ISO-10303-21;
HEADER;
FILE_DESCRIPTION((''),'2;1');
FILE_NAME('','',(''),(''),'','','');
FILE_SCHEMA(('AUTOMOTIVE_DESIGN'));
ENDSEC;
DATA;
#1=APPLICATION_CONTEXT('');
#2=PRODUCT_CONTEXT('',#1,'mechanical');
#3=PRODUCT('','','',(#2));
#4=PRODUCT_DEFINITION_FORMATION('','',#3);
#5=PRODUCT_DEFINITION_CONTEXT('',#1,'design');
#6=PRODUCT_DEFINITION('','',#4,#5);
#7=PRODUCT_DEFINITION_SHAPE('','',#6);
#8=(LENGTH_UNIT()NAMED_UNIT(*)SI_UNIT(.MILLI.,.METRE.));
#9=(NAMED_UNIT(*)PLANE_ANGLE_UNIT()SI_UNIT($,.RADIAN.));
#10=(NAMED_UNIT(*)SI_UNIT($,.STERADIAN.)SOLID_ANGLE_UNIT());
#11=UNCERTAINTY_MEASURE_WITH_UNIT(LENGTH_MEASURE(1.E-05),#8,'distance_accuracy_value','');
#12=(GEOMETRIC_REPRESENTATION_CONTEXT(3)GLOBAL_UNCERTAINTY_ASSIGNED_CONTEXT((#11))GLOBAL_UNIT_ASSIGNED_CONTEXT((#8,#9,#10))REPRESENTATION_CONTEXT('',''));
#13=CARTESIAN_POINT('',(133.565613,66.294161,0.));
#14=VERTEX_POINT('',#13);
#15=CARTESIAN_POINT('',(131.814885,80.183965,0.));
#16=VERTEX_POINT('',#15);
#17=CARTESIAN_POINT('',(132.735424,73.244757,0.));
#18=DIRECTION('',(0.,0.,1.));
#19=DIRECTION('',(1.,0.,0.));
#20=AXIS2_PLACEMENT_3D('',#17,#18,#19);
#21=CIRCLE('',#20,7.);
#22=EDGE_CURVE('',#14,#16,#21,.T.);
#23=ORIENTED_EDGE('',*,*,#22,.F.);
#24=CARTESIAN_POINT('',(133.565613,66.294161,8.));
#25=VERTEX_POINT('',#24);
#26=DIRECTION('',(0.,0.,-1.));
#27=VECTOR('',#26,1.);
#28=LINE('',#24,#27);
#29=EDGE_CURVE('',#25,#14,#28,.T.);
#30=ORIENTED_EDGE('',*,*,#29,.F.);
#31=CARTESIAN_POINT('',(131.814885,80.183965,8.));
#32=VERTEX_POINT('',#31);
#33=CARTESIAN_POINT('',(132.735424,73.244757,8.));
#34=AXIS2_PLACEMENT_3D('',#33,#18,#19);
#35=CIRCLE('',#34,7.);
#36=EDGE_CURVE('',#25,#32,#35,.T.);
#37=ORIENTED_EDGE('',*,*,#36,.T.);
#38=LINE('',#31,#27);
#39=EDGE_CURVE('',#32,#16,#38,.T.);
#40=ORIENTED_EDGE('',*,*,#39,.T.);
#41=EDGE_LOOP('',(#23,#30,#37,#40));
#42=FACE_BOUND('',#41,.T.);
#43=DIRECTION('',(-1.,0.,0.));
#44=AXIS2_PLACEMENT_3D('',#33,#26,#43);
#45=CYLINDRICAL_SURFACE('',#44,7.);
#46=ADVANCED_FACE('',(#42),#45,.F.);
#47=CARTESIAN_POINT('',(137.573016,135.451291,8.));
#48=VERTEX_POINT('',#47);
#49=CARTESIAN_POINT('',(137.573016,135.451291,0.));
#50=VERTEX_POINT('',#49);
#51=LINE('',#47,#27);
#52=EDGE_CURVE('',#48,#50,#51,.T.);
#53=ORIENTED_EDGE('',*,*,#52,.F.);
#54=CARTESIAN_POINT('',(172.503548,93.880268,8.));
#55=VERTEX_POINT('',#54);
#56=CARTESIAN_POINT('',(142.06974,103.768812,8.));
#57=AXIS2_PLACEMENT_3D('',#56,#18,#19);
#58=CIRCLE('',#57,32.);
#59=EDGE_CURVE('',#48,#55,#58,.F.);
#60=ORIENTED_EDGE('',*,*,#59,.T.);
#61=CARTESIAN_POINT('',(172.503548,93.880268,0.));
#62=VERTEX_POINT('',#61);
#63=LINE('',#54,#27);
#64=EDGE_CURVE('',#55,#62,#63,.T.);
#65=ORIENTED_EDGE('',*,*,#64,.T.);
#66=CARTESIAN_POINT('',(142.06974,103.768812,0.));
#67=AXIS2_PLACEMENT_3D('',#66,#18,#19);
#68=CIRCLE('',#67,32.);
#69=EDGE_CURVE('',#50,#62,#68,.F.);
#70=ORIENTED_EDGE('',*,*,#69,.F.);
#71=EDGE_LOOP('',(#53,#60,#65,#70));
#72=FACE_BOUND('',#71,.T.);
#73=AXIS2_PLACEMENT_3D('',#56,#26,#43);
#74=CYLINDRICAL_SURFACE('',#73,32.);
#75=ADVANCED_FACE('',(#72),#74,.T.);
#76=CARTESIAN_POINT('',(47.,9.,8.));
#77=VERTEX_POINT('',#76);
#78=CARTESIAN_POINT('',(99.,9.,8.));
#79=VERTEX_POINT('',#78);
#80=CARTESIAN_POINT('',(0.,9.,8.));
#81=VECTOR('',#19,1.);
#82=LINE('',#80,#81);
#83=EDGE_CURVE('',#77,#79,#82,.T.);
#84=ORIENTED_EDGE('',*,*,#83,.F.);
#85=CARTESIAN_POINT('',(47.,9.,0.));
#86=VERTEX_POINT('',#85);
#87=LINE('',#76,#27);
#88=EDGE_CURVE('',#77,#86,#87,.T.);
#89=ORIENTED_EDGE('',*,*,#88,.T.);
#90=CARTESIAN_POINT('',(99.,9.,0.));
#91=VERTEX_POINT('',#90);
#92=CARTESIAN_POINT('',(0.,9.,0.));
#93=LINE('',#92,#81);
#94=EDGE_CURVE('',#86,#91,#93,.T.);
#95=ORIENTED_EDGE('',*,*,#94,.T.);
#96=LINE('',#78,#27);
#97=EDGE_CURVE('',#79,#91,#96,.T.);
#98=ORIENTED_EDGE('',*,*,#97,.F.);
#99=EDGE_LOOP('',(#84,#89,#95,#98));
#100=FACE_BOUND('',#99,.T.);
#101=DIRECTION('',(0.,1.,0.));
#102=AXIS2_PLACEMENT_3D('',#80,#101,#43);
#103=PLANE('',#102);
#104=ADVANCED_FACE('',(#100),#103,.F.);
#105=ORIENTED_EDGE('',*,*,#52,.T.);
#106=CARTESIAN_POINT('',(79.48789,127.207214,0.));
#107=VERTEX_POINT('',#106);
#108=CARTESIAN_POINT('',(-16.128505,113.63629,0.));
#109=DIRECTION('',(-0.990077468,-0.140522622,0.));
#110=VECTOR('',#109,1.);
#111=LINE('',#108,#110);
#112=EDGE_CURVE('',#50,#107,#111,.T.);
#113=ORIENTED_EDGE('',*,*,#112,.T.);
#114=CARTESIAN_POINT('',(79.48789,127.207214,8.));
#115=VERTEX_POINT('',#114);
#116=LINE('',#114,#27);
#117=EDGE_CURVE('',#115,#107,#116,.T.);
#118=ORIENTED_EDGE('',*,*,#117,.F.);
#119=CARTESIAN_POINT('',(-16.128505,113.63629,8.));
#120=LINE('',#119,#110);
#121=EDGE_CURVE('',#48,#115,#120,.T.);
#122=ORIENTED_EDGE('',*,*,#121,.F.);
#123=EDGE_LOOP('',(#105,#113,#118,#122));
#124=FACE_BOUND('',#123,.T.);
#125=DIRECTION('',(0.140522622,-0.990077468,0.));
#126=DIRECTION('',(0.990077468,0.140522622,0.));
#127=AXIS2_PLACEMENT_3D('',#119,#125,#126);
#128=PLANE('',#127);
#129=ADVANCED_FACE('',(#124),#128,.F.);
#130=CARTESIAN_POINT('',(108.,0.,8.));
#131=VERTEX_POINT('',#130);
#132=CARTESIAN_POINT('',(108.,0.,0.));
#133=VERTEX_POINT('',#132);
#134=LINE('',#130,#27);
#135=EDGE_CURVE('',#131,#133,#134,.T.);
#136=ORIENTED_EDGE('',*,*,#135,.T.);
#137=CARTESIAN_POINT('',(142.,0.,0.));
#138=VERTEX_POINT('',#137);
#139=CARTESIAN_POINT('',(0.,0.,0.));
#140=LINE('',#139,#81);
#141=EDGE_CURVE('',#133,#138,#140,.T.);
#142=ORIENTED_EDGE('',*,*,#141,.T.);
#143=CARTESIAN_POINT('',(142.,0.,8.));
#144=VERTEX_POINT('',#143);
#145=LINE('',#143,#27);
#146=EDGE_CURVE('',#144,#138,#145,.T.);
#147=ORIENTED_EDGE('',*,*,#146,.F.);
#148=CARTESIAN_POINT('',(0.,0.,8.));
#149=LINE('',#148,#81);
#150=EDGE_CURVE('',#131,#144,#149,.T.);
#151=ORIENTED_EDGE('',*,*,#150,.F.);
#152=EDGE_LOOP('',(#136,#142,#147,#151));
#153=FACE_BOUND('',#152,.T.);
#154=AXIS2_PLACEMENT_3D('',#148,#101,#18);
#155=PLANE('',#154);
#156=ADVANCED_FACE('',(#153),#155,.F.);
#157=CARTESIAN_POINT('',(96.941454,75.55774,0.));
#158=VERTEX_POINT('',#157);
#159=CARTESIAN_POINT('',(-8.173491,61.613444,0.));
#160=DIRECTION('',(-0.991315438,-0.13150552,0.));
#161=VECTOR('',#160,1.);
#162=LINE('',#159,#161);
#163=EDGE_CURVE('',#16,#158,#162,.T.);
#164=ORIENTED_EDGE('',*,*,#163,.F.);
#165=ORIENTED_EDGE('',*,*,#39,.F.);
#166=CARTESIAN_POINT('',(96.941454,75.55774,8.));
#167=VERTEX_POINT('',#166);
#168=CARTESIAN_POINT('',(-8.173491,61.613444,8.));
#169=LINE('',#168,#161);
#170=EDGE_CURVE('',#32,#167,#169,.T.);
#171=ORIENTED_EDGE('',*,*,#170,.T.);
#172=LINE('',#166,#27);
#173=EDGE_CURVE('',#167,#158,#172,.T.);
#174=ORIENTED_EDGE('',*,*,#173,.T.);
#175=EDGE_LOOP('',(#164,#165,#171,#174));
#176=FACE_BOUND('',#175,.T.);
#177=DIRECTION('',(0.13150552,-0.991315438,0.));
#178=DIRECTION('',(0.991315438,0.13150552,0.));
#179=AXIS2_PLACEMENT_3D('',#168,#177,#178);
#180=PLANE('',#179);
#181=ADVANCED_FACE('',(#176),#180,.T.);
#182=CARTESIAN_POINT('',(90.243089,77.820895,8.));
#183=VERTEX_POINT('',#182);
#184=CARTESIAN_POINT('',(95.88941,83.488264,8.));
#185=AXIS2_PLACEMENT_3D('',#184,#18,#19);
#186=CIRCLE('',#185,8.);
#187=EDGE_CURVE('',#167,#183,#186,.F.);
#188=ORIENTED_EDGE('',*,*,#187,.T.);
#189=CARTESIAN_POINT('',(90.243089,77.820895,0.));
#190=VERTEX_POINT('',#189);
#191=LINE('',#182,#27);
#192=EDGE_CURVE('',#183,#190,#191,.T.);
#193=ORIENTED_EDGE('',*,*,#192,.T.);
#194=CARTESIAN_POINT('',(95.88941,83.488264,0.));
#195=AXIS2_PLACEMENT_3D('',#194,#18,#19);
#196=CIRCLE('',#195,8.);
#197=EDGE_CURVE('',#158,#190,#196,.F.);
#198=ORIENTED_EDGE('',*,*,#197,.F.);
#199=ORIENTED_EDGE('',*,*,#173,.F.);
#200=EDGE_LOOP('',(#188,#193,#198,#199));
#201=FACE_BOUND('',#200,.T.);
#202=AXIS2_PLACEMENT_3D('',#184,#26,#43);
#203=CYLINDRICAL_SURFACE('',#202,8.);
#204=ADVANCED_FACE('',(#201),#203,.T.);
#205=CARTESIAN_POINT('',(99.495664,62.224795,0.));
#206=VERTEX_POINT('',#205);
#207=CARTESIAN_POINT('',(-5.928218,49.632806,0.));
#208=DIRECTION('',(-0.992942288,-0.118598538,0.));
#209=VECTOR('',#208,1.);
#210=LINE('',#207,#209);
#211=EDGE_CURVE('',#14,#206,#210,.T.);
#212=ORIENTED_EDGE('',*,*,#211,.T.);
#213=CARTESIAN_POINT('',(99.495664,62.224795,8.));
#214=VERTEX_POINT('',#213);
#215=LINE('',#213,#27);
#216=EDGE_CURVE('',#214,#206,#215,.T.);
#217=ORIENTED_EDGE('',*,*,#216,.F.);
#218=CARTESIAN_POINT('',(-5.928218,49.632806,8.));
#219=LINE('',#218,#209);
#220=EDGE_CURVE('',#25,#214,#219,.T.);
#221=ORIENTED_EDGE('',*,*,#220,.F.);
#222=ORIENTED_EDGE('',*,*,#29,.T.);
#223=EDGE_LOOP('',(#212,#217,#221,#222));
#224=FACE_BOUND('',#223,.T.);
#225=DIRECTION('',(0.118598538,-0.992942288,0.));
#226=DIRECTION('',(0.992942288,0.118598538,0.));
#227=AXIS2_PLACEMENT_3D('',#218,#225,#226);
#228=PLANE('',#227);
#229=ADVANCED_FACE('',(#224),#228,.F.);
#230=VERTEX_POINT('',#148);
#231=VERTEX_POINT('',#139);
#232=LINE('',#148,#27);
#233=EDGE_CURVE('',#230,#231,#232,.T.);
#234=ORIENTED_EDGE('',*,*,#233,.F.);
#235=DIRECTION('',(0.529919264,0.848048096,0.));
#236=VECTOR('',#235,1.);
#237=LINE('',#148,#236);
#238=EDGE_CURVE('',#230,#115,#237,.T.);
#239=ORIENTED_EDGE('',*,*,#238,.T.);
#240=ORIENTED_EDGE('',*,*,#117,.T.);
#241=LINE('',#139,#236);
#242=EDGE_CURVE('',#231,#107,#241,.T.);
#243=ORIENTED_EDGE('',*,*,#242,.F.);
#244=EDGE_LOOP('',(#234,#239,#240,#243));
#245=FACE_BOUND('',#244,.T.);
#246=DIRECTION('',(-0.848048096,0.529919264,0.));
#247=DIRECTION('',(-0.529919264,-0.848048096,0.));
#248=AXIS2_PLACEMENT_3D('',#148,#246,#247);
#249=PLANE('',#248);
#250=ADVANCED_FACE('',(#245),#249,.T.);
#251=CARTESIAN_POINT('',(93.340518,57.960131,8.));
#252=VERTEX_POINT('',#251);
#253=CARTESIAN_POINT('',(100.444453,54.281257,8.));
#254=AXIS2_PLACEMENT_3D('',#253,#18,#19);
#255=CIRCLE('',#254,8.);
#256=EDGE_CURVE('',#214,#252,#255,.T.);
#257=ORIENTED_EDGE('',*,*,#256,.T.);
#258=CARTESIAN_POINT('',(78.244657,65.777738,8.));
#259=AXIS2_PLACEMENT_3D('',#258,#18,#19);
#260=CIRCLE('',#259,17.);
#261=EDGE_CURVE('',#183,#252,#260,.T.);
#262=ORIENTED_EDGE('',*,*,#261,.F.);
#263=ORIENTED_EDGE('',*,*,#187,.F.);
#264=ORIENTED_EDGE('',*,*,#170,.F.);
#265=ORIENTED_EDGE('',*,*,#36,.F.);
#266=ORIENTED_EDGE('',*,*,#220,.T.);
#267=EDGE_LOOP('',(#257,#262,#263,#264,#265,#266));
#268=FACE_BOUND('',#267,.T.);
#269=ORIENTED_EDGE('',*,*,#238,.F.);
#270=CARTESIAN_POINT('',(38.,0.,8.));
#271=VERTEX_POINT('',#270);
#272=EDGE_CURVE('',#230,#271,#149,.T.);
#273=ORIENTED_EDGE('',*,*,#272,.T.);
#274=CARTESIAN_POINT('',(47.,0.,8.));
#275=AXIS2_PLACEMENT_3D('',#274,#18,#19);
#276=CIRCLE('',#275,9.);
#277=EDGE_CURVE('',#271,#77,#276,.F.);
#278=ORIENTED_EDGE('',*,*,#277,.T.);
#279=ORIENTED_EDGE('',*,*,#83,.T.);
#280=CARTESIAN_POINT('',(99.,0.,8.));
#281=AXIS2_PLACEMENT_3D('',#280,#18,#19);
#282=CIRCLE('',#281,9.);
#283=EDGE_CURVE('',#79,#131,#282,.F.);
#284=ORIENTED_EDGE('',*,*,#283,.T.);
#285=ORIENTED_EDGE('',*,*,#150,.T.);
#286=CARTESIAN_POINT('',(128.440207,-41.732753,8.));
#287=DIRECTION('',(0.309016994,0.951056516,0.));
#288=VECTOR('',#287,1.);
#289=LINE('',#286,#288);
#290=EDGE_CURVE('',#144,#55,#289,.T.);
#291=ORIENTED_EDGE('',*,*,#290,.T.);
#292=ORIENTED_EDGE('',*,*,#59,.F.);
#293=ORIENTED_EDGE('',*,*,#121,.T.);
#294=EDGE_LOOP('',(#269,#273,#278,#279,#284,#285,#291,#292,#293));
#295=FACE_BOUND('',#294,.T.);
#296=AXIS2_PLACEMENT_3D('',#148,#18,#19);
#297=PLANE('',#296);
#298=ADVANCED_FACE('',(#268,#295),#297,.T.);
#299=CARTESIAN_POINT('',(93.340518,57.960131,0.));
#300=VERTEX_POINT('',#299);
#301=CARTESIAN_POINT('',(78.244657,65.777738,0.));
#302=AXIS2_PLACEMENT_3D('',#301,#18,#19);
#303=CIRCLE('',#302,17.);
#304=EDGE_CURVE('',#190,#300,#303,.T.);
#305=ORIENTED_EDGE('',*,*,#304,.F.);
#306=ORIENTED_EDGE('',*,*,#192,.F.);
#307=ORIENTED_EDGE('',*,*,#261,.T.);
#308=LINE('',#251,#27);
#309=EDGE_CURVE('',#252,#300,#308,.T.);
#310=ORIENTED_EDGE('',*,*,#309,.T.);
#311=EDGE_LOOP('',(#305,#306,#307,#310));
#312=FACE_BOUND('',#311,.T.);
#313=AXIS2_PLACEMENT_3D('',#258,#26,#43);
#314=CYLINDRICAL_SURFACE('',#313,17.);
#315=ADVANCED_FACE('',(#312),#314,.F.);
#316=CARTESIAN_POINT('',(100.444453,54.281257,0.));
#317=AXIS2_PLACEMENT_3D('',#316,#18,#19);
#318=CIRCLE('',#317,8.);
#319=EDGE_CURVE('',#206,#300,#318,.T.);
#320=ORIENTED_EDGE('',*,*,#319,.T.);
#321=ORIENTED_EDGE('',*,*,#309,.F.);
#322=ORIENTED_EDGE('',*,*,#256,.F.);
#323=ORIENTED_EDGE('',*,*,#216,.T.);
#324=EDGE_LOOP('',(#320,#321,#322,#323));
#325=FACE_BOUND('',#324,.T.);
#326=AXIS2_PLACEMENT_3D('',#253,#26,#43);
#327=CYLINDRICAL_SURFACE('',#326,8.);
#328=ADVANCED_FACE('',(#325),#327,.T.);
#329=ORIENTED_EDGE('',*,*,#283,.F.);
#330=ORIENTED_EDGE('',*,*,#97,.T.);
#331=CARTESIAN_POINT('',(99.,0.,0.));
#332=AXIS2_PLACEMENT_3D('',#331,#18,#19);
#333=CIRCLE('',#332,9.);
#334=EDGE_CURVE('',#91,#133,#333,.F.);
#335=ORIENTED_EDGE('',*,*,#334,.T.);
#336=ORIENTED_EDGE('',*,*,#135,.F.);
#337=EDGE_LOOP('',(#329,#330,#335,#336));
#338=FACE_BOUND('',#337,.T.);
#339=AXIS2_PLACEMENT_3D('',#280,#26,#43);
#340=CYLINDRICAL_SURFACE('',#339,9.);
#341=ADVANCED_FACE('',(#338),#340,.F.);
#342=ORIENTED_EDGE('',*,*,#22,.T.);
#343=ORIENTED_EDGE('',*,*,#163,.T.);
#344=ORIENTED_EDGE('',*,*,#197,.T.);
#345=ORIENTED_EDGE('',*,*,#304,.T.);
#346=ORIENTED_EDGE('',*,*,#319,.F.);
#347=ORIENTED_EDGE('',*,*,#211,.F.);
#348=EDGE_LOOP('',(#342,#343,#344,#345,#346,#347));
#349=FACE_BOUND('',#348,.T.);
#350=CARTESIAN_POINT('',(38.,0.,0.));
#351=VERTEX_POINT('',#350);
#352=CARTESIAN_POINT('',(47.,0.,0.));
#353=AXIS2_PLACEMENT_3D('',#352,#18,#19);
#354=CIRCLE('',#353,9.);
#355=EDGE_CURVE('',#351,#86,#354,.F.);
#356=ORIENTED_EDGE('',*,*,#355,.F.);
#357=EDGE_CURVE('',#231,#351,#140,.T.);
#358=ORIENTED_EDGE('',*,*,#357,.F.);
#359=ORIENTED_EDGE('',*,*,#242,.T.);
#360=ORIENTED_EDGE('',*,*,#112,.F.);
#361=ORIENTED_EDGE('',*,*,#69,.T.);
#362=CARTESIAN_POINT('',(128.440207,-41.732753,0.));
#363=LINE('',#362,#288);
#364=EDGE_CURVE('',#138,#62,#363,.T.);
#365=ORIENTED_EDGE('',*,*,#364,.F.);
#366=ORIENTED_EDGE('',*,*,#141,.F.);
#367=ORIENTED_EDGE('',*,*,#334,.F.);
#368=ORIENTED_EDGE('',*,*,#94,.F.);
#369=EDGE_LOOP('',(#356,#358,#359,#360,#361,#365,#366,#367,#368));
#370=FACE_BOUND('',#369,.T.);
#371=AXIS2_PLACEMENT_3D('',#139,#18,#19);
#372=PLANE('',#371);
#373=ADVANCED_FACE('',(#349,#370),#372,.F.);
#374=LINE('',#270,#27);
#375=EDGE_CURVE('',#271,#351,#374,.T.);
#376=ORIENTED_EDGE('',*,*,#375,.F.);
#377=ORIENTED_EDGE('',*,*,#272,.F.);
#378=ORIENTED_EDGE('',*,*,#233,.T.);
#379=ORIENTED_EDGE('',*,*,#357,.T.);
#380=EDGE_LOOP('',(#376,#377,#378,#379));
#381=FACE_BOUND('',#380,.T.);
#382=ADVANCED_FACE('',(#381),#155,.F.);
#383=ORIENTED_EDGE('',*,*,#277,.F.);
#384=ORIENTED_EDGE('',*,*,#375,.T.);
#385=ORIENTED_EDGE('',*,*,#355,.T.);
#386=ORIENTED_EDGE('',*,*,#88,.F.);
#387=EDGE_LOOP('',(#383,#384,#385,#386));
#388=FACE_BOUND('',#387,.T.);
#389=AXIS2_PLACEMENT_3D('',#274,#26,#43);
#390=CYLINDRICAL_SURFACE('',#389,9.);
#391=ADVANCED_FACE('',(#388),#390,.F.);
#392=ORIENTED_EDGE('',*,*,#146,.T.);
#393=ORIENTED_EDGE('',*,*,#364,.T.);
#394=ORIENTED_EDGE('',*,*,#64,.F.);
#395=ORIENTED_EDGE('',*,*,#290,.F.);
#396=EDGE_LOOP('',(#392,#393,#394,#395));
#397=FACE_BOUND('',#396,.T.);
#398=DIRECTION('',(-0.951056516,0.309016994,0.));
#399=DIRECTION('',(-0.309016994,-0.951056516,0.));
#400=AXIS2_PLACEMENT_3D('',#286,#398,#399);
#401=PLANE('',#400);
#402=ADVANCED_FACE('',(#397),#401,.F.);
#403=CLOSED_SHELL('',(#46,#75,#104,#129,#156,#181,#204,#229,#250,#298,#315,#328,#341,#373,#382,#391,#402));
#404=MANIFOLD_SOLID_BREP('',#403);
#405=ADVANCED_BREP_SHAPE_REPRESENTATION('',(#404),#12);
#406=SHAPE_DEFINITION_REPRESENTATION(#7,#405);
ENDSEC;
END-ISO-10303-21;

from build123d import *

# Parameters (mm, degrees)
BOSS_EXTRUDE1_DEPTH = 8


with BuildPart() as part:
    # Sketch2 → Boss-Extrude1 (new body)
    with BuildSketch(Plane.XY):
        with BuildLine():
            Line((79.487889635, 127.207214423), (37.624267761, 60.211414827))
            Line((37.624267761, 60.211414827), (61.402056741, 63.469750476))
            ThreePointArc((61.402056741, 63.469750476), (70.67132686, 80.997615577), (90.243088989, 77.820895466))
            ThreePointArc((90.243088989, 77.820895466), (93.32868479, 75.909168155), (96.941453957, 75.557740071))
            Line((96.941453957, 75.557740071), (131.814885044, 80.183965492))
            ThreePointArc((131.814885044, 80.183965492), (136.979315131, 78.811568483), (139.670612135, 74.195105322))
            Line((139.670612135, 74.195105322), (167.339393539, 77.986634336))
            Line((167.339393539, 77.986634336), (172.50354814, 93.880267937))
            ThreePointArc((172.50354814, 93.880267937), (166.569139078, 124.354715336), (137.573015724, 135.451290736))
            Line((137.573015724, 135.451290736), (79.487889635, 127.207214423))
        make_face()
        with BuildLine():
            Line((37.624267761, 60.211414827), (0, 0))
            Line((0, 0), (38, 0))
            ThreePointArc((38, 0), (40.636038969, 6.363961031), (47, 9))
            Line((47, 9), (99, 9))
            ThreePointArc((99, 9), (105.363961031, 6.363961031), (108, 0))
            Line((108, 0), (142, 0))
            Line((142, 0), (167.339393539, 77.986634336))
            Line((167.339393539, 77.986634336), (139.670612135, 74.195105322))
            ThreePointArc((139.670612135, 74.195105322), (138.274512361, 68.964746138), (133.565613448, 66.29416141))
            Line((133.565613448, 66.29416141), (99.495664198, 62.224794823))
            ThreePointArc((99.495664198, 62.224794823), (95.888310918, 60.857089082), (93.340518027, 57.960130667))
            ThreePointArc((93.340518027, 57.960130667), (75.354717379, 49.025178799), (61.402056741, 63.469750476))
            Line((61.402056741, 63.469750476), (37.624267761, 60.211414827))
        make_face()
    extrude(amount=BOSS_EXTRUDE1_DEPTH)


solid = part.part
